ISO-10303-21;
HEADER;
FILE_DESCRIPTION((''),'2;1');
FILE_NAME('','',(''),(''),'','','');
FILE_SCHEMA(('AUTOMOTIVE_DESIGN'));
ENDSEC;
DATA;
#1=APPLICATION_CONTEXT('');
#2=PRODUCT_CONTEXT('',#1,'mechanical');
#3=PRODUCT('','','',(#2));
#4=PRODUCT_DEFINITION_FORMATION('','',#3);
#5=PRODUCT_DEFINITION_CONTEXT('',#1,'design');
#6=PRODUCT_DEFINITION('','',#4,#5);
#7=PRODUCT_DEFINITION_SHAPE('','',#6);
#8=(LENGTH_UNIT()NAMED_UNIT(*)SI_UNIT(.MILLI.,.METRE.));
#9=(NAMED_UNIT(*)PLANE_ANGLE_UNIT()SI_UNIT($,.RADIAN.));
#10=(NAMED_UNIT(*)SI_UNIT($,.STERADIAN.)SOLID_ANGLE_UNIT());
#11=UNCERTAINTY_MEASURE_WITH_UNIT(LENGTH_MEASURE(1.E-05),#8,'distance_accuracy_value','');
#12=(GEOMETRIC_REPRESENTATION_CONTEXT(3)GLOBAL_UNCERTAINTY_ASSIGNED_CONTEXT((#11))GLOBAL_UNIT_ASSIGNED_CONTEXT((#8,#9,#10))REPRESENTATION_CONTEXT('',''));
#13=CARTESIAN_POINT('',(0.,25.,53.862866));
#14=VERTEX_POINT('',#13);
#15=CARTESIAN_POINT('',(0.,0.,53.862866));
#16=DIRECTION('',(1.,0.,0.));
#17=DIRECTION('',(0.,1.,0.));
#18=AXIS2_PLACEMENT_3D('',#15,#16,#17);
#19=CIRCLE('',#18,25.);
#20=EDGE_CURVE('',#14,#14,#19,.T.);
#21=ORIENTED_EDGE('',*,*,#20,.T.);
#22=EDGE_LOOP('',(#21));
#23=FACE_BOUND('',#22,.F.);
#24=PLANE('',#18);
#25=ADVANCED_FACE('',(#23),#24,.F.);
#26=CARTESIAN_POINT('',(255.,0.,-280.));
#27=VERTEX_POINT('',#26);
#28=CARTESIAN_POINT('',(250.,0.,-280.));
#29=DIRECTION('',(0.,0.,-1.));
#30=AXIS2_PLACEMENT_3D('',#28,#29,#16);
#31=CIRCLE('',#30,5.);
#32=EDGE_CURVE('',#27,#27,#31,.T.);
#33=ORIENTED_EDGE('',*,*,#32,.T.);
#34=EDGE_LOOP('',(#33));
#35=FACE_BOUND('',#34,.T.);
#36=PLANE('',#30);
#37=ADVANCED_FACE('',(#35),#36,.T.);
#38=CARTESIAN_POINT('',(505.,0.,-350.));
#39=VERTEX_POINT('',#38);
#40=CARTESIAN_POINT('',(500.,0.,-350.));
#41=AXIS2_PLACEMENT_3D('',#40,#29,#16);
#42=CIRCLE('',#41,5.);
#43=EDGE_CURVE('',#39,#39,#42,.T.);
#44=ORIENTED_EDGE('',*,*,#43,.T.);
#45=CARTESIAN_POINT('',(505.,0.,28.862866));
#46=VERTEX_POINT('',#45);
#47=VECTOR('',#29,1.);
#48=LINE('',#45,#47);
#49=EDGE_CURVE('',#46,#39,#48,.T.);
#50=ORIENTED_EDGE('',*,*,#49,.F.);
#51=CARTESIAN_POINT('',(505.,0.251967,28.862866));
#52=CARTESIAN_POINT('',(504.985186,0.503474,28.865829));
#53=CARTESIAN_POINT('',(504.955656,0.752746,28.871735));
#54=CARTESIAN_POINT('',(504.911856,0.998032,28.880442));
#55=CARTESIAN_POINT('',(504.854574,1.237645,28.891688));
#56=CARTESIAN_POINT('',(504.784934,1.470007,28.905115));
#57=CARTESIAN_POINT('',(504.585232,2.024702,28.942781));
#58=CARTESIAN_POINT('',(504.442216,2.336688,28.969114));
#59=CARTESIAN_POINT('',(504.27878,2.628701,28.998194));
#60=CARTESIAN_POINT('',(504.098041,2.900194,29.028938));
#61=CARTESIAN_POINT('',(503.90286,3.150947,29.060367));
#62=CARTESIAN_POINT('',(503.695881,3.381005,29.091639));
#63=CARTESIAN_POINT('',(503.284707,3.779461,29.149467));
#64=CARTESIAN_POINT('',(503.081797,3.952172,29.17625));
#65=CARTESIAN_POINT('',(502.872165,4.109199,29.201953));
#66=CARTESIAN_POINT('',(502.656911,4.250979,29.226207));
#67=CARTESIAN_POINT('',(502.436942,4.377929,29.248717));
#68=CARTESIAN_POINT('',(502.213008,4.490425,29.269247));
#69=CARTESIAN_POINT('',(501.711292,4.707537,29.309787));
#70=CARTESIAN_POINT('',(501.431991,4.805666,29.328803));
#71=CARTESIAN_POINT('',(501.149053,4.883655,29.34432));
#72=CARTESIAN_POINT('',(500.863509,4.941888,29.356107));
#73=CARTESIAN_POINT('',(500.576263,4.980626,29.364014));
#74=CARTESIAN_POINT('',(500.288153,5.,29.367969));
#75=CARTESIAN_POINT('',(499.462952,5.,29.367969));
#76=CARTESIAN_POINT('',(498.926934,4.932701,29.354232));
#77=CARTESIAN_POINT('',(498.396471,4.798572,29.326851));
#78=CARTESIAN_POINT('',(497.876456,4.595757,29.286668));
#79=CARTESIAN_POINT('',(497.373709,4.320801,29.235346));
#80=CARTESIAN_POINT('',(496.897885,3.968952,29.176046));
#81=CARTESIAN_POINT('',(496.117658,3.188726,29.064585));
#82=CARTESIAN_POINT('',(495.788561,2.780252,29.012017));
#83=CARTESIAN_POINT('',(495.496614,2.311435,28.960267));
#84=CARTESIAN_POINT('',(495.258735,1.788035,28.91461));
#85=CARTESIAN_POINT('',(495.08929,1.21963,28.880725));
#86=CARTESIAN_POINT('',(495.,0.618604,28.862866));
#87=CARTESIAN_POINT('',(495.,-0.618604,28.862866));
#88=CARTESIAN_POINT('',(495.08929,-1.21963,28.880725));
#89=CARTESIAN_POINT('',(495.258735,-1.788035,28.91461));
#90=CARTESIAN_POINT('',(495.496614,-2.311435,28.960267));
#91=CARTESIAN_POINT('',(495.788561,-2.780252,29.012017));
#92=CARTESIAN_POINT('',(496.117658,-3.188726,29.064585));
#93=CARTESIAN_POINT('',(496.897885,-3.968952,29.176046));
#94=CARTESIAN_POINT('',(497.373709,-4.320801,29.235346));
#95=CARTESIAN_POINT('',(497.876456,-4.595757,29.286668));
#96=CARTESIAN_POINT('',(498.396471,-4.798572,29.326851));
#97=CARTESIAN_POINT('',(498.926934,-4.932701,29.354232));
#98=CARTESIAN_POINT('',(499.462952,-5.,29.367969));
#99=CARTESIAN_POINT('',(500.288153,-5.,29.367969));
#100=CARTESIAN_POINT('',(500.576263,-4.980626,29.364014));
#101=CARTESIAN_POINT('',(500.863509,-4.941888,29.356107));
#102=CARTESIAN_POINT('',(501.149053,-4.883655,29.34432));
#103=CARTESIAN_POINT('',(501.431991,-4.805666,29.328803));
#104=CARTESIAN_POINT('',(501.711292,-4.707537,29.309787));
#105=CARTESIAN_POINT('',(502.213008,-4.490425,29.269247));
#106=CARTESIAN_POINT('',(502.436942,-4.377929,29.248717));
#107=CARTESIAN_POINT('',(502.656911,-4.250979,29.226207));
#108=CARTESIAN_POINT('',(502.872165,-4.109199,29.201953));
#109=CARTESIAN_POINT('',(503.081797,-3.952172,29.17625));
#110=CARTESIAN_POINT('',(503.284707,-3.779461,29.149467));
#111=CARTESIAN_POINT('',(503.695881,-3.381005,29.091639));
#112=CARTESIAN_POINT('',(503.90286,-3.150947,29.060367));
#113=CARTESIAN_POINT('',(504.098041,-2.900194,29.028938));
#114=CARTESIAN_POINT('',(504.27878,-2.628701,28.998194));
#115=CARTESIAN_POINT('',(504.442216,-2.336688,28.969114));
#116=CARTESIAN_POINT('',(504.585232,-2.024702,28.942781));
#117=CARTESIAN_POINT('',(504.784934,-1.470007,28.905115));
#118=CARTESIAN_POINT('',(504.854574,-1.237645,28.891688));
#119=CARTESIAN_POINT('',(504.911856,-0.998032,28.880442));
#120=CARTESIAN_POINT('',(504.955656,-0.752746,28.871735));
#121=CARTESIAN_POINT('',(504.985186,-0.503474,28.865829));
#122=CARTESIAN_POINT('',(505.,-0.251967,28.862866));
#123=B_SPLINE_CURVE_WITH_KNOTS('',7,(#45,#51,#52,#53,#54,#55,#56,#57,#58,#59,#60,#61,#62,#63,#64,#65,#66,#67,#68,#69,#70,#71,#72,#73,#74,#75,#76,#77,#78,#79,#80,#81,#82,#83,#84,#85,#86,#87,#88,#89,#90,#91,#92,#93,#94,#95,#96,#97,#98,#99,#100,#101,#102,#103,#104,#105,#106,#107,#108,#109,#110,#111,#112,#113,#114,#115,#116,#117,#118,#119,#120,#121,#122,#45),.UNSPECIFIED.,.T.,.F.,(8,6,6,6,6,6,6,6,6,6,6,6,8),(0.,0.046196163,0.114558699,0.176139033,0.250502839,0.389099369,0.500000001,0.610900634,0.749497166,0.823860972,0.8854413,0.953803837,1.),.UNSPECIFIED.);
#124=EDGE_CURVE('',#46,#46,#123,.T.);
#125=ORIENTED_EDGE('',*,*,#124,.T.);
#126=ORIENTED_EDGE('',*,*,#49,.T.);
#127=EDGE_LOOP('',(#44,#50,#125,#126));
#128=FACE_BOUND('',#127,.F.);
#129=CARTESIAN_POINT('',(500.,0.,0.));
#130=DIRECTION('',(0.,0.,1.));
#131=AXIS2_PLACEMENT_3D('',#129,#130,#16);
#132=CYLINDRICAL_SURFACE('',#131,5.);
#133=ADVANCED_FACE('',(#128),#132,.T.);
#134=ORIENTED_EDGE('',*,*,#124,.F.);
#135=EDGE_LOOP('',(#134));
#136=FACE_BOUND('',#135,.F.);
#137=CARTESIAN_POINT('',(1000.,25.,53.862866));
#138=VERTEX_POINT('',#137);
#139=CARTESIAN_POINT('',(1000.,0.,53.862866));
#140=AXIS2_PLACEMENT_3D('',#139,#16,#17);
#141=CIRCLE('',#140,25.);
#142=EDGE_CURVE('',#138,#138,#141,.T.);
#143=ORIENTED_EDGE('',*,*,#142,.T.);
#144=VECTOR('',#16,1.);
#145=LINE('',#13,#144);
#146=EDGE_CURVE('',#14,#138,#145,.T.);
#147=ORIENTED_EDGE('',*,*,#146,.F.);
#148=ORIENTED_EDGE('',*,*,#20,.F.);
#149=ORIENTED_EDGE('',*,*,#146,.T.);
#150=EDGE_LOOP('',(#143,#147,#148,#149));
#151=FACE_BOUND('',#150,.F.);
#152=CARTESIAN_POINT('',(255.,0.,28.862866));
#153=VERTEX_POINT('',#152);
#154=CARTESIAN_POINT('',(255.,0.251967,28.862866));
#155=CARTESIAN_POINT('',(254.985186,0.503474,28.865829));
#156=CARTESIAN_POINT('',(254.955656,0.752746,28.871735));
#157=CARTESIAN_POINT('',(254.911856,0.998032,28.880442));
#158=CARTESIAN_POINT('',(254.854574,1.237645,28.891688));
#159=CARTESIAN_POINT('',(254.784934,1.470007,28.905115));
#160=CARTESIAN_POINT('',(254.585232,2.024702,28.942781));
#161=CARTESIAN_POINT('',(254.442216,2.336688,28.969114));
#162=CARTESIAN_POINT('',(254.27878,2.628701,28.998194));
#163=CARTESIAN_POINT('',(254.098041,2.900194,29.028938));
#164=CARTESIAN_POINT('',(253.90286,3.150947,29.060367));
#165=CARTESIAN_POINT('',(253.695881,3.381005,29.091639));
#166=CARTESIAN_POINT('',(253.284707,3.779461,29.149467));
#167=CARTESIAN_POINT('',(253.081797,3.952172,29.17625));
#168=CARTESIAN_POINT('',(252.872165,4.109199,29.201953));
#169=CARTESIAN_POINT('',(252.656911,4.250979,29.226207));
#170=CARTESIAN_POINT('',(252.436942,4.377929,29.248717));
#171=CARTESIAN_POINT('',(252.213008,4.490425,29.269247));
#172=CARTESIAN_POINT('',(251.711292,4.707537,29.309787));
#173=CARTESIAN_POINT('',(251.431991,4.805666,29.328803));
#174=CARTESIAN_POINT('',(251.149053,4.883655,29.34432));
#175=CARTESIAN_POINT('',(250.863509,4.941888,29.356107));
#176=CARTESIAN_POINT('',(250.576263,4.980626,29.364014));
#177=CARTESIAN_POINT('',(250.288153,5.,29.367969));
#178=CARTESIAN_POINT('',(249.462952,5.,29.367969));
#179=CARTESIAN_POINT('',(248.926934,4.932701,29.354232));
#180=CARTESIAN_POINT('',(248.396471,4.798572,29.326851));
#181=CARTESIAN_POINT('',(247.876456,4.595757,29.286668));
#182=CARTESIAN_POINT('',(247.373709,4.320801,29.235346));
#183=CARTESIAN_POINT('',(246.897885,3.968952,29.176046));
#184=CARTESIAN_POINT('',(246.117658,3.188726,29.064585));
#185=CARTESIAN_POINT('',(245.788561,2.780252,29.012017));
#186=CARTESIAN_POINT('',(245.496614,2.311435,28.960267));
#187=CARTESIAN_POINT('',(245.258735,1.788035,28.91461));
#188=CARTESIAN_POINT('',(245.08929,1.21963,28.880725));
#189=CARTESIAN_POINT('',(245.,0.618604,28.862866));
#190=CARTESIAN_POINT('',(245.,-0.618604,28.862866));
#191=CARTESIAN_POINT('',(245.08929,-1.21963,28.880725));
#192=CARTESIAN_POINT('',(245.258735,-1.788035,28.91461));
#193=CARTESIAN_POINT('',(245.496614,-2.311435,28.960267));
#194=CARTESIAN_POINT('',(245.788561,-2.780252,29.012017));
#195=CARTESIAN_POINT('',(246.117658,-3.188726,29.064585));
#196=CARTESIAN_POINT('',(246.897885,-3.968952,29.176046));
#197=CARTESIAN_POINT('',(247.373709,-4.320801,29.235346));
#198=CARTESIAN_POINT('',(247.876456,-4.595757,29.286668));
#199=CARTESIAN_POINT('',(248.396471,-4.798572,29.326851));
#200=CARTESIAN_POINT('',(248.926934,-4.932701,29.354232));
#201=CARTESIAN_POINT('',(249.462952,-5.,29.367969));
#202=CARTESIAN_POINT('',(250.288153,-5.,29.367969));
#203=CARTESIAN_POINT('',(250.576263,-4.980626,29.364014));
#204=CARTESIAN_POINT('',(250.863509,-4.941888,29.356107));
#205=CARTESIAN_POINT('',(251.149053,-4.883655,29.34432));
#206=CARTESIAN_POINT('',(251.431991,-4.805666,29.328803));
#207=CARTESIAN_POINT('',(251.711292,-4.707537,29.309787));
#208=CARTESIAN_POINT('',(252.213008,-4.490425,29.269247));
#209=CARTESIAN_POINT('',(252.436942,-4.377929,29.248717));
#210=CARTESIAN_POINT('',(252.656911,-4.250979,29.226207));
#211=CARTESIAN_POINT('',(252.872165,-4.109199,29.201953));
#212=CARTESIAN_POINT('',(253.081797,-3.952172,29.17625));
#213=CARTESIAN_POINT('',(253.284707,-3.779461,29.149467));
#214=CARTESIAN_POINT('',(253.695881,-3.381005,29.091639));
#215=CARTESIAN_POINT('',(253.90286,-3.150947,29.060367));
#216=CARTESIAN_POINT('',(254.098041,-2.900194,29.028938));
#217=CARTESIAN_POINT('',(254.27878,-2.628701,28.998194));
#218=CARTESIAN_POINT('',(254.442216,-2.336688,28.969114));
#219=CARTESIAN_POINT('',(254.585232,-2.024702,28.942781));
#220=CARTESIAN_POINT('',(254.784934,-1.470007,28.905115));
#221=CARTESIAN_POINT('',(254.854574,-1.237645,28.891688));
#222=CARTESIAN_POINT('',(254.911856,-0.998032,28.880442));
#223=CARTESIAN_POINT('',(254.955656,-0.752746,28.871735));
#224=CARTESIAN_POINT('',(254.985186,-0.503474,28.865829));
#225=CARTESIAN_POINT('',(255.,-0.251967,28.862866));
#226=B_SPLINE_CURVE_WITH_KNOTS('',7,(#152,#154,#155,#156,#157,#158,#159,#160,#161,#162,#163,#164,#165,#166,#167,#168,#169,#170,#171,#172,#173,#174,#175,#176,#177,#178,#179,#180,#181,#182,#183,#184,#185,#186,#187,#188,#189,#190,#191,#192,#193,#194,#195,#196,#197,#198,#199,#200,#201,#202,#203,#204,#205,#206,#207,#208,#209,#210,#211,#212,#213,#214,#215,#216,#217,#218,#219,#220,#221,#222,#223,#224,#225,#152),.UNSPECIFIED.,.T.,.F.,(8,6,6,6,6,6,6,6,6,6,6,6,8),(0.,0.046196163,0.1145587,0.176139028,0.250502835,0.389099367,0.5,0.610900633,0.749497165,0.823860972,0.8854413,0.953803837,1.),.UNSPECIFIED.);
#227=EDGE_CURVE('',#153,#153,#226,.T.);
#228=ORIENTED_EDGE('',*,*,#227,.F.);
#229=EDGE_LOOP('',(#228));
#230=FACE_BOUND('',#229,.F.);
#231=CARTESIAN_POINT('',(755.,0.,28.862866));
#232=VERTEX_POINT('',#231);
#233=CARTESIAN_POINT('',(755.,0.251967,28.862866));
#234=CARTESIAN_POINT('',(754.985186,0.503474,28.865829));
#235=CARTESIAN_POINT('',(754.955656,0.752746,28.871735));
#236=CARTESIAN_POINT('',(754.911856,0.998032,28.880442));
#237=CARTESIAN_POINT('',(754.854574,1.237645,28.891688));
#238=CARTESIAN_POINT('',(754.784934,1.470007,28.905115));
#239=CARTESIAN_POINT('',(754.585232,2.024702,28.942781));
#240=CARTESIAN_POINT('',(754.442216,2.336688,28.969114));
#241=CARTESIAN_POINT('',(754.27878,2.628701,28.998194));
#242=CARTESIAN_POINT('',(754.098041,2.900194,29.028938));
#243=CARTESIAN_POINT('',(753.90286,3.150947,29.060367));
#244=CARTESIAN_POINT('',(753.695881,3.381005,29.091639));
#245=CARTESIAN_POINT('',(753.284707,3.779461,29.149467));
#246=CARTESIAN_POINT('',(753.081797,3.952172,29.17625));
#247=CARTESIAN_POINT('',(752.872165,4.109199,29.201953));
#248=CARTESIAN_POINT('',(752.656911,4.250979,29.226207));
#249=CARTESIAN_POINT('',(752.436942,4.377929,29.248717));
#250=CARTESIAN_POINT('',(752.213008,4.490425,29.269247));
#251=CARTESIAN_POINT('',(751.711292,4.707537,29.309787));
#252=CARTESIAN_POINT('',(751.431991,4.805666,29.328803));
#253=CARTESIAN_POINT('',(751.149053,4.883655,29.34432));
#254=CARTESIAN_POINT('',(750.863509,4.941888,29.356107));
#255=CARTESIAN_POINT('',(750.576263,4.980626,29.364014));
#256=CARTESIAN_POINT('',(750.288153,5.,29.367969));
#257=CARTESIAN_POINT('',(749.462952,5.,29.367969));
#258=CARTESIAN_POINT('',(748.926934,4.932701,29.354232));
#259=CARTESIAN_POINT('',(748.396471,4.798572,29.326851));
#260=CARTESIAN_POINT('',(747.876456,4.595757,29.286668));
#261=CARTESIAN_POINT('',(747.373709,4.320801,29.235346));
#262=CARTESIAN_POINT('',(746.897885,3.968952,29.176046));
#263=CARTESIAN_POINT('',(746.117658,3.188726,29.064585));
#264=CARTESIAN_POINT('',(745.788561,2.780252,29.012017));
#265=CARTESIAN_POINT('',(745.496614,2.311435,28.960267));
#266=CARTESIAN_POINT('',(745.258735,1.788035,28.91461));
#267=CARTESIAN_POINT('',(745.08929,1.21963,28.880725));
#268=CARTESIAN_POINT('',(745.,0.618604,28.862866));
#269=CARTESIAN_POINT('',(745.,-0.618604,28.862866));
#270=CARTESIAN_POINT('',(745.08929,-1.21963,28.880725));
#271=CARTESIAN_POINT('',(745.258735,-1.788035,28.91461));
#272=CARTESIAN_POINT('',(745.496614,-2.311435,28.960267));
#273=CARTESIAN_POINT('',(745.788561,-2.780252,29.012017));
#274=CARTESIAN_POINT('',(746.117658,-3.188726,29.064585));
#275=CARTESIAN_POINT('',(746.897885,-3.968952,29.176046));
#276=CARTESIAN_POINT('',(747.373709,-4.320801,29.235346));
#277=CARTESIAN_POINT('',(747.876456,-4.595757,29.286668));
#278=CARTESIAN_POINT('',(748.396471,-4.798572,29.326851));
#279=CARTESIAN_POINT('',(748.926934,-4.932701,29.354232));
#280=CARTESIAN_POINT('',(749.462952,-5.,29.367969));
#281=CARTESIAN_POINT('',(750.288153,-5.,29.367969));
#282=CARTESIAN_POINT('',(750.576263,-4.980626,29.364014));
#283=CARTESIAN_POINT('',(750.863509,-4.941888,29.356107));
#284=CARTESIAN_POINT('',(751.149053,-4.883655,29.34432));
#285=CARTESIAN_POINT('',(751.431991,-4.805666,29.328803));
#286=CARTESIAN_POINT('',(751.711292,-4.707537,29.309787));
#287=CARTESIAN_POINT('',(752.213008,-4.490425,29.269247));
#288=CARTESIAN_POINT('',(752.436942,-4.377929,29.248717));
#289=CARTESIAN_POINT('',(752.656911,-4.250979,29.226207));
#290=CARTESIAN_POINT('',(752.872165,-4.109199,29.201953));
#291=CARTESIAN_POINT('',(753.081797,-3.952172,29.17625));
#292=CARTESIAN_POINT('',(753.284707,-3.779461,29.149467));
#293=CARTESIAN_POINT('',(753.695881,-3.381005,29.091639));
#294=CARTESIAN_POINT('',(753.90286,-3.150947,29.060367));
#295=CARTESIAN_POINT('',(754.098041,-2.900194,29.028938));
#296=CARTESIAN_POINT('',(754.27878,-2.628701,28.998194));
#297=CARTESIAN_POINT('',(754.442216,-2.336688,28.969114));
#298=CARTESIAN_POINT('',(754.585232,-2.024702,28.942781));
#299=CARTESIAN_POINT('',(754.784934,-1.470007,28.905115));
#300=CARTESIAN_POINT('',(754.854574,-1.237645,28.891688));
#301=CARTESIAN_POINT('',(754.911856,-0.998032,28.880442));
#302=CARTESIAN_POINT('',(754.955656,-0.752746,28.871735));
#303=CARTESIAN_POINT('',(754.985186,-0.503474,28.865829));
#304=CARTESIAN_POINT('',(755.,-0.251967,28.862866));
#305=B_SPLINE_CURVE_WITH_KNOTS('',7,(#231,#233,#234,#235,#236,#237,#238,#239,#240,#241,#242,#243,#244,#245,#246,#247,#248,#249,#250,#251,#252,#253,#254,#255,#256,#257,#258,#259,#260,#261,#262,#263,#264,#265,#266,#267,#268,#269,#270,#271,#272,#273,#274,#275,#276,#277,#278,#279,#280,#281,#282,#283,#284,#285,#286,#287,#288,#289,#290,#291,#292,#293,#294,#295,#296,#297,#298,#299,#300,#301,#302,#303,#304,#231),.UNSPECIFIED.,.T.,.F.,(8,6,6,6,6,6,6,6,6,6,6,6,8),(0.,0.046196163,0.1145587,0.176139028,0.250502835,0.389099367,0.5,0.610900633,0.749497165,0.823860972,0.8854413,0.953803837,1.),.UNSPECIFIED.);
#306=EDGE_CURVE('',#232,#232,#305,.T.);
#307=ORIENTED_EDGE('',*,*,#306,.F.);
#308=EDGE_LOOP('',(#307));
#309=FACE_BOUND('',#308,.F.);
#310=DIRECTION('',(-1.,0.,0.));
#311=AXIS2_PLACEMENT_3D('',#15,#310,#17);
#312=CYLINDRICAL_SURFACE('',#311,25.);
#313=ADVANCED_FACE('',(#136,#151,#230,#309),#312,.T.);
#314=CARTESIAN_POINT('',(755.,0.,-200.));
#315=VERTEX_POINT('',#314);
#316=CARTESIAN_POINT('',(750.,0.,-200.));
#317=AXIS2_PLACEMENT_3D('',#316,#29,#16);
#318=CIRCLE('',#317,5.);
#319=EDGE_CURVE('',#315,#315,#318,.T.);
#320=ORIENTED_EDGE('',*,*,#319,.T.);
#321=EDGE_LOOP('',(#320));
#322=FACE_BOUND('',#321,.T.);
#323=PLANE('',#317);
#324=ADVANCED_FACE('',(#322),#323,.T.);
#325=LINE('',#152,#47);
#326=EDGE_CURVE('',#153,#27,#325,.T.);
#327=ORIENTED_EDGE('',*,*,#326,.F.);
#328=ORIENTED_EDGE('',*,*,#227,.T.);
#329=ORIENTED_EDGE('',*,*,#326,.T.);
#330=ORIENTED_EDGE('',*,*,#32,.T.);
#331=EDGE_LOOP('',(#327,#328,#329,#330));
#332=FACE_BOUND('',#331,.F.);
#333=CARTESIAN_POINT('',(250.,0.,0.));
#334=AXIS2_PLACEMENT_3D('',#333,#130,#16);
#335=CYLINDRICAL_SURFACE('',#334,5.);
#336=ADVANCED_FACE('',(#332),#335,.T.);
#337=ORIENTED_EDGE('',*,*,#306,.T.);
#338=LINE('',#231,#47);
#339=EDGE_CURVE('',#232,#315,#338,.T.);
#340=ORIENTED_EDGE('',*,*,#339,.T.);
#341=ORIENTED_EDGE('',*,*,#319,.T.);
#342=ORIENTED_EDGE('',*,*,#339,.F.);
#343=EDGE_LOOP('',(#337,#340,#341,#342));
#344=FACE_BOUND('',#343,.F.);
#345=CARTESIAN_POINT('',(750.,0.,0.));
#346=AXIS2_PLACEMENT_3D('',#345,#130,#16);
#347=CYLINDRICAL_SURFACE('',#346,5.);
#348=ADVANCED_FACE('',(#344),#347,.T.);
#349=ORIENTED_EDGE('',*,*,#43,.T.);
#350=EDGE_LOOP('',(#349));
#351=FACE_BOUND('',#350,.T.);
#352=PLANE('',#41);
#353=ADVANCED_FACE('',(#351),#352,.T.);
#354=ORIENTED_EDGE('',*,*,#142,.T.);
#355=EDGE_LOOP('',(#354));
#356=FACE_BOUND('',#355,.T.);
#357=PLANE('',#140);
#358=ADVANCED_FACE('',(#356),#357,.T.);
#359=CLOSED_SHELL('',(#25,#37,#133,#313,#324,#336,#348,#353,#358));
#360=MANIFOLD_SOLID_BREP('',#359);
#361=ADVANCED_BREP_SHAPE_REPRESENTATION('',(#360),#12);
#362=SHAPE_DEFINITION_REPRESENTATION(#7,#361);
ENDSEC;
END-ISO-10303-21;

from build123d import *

# Parameters (mm, degrees)
F0_R     = 25
F1_DEPTH = 1000
F2_R     = 5
F3_DEPTH = 50
F4_R     = 5
F5_DEPTH = 200
F6_R     = 5
F7_DEPTH = 350
F8_R     = 5
F9_DEPTH = 280


with BuildPart() as f1:
    # F0 (on Right) → F1 (new body)
    with BuildSketch(Plane.YZ):
        with Locations((0, 53.862866)):
            Circle(F0_R)
    extrude(amount=F1_DEPTH)

    # F2 (on Top) → F3 (join)
    with BuildSketch(Plane.XY):
        with Locations((500, 0)):
            Circle(F2_R)
        with Locations((250, 0)):
            Circle(F2_R)
        with Locations((750, 0)):
            Circle(F2_R)
    extrude(amount=F3_DEPTH)

    # F4 (on face) → F5 (join)
    with BuildSketch(Plane(origin=(0, 0, 0), x_dir=(1, 0, 0), z_dir=(0, 0, -1))):
        with Locations((750, 0)):
            Circle(F4_R)
    extrude(amount=F5_DEPTH)

    # F6 (on face) → F7 (join)
    with BuildSketch(Plane(origin=(0, 0, 0), x_dir=(1, 0, 0), z_dir=(0, 0, -1))):
        with Locations((500, 0)):
            Circle(F6_R)
    extrude(amount=F7_DEPTH)

    # F8 (on face) → F9 (join)
    with BuildSketch(Plane(origin=(0, 0, 0), x_dir=(1, 0, 0), z_dir=(0, 0, -1))):
        with Locations((250, 0)):
            Circle(F8_R)
    extrude(amount=F9_DEPTH)


solid = f1.part
